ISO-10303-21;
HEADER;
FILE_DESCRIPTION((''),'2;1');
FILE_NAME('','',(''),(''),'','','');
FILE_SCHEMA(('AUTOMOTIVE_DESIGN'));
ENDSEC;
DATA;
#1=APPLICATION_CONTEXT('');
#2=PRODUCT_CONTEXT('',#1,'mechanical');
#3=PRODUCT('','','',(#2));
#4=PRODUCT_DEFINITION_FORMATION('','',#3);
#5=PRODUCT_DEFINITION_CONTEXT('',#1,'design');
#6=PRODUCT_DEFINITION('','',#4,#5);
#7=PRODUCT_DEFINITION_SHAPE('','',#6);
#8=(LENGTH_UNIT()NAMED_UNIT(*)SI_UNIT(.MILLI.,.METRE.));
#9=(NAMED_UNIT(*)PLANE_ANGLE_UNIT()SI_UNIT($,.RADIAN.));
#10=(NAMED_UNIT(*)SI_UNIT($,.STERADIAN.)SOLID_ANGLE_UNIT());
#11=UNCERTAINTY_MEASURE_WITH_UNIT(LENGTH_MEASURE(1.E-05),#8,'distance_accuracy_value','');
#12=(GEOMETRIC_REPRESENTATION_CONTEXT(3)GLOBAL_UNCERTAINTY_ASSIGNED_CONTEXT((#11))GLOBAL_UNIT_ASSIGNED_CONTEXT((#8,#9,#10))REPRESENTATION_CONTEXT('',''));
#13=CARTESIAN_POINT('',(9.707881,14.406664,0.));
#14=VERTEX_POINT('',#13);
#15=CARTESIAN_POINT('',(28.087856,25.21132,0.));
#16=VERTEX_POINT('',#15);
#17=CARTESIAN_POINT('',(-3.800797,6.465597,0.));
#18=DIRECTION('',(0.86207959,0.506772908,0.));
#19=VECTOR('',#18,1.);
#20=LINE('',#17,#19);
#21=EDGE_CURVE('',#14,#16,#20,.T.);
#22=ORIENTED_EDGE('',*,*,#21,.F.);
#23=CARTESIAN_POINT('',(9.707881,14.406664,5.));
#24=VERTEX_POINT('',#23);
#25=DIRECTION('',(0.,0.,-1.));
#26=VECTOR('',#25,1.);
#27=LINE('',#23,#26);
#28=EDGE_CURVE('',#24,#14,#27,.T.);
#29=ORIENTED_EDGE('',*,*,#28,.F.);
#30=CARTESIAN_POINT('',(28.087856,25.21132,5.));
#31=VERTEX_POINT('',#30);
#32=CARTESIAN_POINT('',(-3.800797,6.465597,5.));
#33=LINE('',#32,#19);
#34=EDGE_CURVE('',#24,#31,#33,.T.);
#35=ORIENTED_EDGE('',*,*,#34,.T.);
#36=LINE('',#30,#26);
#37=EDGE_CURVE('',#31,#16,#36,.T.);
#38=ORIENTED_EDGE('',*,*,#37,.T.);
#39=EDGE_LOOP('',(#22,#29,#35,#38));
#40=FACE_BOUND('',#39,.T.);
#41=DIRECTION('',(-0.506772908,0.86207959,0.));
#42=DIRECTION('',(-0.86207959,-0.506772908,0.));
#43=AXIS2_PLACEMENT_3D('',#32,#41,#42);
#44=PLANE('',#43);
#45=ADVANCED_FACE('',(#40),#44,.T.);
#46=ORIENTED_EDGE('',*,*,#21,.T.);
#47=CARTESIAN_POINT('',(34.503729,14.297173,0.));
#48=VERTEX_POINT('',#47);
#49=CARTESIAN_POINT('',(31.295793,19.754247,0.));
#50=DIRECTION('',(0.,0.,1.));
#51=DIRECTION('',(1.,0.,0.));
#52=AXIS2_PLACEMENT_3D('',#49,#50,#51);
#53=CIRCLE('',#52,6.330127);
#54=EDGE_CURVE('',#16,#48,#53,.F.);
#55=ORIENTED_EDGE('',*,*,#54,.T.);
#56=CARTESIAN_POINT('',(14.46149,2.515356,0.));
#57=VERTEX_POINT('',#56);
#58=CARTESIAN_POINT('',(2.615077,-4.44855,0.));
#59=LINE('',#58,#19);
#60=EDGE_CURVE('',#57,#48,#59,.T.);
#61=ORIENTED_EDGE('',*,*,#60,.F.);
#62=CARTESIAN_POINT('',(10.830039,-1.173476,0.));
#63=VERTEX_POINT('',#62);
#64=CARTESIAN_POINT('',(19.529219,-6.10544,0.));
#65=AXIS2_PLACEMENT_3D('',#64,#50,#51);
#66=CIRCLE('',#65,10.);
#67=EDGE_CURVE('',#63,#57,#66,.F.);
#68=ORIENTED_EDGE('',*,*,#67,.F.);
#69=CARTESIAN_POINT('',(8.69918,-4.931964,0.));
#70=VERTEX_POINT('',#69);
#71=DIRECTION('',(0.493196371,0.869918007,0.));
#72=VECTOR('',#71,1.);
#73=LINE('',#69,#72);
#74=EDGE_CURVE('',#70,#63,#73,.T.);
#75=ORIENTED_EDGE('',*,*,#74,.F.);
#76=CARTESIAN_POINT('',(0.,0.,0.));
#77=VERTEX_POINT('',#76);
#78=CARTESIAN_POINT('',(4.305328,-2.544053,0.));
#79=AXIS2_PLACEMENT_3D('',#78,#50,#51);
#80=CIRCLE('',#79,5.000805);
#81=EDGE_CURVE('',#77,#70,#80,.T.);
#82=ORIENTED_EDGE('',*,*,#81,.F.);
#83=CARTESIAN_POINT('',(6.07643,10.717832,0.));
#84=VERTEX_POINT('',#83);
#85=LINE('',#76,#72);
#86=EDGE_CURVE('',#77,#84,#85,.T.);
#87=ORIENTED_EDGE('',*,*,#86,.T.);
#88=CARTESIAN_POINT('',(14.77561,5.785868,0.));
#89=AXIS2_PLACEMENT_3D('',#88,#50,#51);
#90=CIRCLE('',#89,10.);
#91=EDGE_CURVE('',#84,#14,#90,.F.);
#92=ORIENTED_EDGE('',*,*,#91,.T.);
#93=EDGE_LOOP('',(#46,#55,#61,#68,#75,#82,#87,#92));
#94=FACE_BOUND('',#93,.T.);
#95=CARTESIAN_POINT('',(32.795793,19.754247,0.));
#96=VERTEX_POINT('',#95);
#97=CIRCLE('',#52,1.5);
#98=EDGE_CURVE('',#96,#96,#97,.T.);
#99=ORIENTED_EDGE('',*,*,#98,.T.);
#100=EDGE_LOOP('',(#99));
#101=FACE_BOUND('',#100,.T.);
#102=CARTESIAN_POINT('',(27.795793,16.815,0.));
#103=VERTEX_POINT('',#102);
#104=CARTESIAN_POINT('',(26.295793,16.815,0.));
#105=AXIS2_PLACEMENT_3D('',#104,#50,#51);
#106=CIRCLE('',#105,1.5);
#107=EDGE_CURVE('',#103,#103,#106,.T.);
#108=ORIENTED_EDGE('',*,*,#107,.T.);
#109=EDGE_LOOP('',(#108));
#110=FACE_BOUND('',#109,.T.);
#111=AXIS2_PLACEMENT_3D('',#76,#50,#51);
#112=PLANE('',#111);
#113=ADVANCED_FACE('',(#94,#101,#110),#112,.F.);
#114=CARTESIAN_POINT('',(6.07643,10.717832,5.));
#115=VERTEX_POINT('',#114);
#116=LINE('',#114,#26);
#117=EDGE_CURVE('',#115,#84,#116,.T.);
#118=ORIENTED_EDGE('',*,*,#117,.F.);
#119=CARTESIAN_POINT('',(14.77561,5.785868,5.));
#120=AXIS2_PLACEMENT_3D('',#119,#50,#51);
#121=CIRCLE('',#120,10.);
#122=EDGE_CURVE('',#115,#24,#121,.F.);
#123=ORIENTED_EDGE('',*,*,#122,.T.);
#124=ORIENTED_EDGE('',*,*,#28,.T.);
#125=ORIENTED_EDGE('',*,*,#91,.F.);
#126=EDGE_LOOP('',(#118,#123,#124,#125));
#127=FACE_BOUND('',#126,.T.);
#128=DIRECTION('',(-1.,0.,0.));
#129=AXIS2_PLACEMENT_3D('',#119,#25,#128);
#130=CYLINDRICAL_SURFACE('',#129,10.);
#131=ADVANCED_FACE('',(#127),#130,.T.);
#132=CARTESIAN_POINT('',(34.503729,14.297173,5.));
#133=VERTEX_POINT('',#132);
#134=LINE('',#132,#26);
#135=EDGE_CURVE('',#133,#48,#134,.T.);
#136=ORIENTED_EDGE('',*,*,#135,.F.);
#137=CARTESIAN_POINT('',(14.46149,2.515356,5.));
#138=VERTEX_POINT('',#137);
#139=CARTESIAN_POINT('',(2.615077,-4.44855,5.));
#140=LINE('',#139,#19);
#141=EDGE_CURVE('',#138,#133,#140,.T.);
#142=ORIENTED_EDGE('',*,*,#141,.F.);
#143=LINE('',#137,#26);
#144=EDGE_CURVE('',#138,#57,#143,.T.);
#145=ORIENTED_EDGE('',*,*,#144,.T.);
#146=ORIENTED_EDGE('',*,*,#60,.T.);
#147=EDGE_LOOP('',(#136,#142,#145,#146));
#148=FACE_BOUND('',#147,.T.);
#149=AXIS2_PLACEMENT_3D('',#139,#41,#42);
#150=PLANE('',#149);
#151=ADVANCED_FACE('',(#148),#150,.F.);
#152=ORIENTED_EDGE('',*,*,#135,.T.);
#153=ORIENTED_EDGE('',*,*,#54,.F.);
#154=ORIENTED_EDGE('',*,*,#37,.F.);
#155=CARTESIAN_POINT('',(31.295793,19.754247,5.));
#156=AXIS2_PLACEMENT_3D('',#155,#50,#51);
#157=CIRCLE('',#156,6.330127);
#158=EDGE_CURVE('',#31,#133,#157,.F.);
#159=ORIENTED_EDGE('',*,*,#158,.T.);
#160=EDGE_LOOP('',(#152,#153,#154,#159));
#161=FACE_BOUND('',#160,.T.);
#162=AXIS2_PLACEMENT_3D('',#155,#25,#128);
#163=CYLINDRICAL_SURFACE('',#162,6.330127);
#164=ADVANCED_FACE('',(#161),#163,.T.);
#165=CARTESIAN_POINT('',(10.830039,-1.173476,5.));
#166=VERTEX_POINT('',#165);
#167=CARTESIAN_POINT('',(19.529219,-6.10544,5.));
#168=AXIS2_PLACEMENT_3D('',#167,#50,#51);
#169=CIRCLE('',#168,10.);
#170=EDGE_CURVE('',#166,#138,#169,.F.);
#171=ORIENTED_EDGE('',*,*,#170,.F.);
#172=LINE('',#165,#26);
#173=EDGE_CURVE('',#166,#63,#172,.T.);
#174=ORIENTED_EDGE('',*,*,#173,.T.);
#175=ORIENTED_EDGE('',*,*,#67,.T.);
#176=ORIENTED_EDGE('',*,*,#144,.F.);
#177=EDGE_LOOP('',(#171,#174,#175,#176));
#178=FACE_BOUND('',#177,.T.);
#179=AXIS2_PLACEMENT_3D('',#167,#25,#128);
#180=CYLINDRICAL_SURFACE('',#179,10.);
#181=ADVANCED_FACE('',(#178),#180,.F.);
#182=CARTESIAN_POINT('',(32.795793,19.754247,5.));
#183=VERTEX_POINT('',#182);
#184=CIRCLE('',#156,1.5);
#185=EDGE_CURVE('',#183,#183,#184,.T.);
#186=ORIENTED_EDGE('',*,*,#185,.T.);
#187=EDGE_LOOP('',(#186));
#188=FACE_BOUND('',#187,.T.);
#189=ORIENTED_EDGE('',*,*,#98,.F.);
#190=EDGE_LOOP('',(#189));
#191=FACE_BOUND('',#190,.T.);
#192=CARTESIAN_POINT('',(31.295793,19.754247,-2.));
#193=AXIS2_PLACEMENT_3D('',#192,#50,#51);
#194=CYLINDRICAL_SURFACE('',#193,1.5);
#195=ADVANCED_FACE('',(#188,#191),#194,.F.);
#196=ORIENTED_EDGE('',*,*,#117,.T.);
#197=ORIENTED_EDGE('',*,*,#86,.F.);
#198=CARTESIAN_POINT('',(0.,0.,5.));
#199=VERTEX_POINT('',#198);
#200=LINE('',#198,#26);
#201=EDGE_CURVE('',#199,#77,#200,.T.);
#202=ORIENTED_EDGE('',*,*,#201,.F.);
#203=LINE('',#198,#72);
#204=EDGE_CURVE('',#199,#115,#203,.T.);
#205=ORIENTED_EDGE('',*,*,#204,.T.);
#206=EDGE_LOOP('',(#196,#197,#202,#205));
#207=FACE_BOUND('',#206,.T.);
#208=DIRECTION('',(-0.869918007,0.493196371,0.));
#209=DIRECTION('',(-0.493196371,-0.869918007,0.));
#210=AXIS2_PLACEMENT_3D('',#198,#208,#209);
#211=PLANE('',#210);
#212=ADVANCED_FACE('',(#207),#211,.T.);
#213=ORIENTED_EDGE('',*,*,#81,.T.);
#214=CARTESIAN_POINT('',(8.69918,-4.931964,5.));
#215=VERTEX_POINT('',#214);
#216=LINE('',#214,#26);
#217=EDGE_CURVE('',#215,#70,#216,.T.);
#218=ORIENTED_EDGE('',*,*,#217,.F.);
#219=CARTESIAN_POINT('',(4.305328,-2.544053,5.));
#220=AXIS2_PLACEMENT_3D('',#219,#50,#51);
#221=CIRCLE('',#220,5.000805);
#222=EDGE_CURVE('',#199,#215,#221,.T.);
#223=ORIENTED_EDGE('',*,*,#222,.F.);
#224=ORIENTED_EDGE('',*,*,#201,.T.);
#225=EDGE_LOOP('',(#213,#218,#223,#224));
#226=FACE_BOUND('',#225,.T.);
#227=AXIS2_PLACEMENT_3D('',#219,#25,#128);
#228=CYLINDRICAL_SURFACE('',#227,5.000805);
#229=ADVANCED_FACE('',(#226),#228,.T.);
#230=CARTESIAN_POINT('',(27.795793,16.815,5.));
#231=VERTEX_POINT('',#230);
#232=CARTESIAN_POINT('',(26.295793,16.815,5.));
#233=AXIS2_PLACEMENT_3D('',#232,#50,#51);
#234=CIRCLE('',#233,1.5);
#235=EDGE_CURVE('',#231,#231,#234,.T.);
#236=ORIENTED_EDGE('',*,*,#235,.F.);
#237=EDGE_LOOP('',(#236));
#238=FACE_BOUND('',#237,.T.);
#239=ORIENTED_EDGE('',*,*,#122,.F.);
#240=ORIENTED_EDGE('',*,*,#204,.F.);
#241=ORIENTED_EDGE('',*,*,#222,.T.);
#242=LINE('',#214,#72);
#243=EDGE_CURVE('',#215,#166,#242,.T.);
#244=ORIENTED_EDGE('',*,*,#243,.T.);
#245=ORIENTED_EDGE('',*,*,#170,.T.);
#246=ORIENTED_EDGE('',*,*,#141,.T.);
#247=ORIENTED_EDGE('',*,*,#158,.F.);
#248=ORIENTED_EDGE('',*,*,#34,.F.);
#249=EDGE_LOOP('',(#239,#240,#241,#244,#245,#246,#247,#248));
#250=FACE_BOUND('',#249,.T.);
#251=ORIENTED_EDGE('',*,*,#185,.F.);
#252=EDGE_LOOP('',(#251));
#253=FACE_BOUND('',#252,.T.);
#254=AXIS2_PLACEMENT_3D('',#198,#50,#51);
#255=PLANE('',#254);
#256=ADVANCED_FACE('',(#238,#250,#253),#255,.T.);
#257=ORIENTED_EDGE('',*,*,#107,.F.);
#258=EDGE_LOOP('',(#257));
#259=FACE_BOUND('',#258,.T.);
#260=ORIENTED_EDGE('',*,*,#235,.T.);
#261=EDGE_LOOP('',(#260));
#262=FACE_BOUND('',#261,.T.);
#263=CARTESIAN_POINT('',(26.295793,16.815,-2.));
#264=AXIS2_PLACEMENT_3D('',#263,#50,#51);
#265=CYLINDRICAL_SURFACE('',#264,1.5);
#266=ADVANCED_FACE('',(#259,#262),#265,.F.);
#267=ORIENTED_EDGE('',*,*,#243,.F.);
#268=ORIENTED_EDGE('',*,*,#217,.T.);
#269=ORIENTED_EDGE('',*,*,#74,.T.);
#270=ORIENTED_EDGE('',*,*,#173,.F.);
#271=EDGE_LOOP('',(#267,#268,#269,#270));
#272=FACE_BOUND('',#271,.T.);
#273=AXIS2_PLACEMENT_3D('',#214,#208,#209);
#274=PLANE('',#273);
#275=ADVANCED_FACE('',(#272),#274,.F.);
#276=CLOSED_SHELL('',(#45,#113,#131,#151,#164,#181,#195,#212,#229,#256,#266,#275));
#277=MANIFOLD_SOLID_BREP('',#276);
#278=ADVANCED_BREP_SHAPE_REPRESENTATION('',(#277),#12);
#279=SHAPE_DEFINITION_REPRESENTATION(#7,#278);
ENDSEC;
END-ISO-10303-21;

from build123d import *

# Parameters (mm, degrees)
BOSS_EXTRUDE1_DEPTH = 5
SKETCH4_R           = 1.5
CUT_EXTRUDE1_DEPTH  = 7


with BuildPart() as part:
    # Sketch3 → Boss-Extrude1 (new body)
    with BuildSketch(Plane.XY):
        with BuildLine():
            Line((0, 0), (6.076429876, 10.717831833))
            ThreePointArc((6.076429876, 10.717831833), (7.649333388, 12.801292724), (9.707880871, 14.406664022))
            Line((9.707880871, 14.406664022), (28.087855737, 25.211319894))
            ThreePointArc((28.087855737, 25.211319894), (36.75286592, 22.962183463), (34.503729489, 14.297173281))
            Line((34.503729489, 14.297173281), (14.461489972, 2.51535625))
            ThreePointArc((14.461489972, 2.51535625), (12.402942489, 0.909984953), (10.830038977, -1.173475938))
            Line((10.830038977, -1.173475938), (8.699180072, -4.931963714))
            ThreePointArc((8.699180072, -4.931963714), (1.838948591, -6.894344126), (0, 0))
        make_face()
    extrude(amount=BOSS_EXTRUDE1_DEPTH)

    # Sketch4 → Cut-Extrude1 (cut)
    with BuildSketch(Plane.XY.offset(5)):
        with Locations((31.295792613, 19.754246587)):
            Circle(SKETCH4_R)
        with Locations((26.295792613, 16.814999948)):
            Circle(SKETCH4_R)
    extrude(amount=-CUT_EXTRUDE1_DEPTH, mode=Mode.SUBTRACT)


solid = part.part
